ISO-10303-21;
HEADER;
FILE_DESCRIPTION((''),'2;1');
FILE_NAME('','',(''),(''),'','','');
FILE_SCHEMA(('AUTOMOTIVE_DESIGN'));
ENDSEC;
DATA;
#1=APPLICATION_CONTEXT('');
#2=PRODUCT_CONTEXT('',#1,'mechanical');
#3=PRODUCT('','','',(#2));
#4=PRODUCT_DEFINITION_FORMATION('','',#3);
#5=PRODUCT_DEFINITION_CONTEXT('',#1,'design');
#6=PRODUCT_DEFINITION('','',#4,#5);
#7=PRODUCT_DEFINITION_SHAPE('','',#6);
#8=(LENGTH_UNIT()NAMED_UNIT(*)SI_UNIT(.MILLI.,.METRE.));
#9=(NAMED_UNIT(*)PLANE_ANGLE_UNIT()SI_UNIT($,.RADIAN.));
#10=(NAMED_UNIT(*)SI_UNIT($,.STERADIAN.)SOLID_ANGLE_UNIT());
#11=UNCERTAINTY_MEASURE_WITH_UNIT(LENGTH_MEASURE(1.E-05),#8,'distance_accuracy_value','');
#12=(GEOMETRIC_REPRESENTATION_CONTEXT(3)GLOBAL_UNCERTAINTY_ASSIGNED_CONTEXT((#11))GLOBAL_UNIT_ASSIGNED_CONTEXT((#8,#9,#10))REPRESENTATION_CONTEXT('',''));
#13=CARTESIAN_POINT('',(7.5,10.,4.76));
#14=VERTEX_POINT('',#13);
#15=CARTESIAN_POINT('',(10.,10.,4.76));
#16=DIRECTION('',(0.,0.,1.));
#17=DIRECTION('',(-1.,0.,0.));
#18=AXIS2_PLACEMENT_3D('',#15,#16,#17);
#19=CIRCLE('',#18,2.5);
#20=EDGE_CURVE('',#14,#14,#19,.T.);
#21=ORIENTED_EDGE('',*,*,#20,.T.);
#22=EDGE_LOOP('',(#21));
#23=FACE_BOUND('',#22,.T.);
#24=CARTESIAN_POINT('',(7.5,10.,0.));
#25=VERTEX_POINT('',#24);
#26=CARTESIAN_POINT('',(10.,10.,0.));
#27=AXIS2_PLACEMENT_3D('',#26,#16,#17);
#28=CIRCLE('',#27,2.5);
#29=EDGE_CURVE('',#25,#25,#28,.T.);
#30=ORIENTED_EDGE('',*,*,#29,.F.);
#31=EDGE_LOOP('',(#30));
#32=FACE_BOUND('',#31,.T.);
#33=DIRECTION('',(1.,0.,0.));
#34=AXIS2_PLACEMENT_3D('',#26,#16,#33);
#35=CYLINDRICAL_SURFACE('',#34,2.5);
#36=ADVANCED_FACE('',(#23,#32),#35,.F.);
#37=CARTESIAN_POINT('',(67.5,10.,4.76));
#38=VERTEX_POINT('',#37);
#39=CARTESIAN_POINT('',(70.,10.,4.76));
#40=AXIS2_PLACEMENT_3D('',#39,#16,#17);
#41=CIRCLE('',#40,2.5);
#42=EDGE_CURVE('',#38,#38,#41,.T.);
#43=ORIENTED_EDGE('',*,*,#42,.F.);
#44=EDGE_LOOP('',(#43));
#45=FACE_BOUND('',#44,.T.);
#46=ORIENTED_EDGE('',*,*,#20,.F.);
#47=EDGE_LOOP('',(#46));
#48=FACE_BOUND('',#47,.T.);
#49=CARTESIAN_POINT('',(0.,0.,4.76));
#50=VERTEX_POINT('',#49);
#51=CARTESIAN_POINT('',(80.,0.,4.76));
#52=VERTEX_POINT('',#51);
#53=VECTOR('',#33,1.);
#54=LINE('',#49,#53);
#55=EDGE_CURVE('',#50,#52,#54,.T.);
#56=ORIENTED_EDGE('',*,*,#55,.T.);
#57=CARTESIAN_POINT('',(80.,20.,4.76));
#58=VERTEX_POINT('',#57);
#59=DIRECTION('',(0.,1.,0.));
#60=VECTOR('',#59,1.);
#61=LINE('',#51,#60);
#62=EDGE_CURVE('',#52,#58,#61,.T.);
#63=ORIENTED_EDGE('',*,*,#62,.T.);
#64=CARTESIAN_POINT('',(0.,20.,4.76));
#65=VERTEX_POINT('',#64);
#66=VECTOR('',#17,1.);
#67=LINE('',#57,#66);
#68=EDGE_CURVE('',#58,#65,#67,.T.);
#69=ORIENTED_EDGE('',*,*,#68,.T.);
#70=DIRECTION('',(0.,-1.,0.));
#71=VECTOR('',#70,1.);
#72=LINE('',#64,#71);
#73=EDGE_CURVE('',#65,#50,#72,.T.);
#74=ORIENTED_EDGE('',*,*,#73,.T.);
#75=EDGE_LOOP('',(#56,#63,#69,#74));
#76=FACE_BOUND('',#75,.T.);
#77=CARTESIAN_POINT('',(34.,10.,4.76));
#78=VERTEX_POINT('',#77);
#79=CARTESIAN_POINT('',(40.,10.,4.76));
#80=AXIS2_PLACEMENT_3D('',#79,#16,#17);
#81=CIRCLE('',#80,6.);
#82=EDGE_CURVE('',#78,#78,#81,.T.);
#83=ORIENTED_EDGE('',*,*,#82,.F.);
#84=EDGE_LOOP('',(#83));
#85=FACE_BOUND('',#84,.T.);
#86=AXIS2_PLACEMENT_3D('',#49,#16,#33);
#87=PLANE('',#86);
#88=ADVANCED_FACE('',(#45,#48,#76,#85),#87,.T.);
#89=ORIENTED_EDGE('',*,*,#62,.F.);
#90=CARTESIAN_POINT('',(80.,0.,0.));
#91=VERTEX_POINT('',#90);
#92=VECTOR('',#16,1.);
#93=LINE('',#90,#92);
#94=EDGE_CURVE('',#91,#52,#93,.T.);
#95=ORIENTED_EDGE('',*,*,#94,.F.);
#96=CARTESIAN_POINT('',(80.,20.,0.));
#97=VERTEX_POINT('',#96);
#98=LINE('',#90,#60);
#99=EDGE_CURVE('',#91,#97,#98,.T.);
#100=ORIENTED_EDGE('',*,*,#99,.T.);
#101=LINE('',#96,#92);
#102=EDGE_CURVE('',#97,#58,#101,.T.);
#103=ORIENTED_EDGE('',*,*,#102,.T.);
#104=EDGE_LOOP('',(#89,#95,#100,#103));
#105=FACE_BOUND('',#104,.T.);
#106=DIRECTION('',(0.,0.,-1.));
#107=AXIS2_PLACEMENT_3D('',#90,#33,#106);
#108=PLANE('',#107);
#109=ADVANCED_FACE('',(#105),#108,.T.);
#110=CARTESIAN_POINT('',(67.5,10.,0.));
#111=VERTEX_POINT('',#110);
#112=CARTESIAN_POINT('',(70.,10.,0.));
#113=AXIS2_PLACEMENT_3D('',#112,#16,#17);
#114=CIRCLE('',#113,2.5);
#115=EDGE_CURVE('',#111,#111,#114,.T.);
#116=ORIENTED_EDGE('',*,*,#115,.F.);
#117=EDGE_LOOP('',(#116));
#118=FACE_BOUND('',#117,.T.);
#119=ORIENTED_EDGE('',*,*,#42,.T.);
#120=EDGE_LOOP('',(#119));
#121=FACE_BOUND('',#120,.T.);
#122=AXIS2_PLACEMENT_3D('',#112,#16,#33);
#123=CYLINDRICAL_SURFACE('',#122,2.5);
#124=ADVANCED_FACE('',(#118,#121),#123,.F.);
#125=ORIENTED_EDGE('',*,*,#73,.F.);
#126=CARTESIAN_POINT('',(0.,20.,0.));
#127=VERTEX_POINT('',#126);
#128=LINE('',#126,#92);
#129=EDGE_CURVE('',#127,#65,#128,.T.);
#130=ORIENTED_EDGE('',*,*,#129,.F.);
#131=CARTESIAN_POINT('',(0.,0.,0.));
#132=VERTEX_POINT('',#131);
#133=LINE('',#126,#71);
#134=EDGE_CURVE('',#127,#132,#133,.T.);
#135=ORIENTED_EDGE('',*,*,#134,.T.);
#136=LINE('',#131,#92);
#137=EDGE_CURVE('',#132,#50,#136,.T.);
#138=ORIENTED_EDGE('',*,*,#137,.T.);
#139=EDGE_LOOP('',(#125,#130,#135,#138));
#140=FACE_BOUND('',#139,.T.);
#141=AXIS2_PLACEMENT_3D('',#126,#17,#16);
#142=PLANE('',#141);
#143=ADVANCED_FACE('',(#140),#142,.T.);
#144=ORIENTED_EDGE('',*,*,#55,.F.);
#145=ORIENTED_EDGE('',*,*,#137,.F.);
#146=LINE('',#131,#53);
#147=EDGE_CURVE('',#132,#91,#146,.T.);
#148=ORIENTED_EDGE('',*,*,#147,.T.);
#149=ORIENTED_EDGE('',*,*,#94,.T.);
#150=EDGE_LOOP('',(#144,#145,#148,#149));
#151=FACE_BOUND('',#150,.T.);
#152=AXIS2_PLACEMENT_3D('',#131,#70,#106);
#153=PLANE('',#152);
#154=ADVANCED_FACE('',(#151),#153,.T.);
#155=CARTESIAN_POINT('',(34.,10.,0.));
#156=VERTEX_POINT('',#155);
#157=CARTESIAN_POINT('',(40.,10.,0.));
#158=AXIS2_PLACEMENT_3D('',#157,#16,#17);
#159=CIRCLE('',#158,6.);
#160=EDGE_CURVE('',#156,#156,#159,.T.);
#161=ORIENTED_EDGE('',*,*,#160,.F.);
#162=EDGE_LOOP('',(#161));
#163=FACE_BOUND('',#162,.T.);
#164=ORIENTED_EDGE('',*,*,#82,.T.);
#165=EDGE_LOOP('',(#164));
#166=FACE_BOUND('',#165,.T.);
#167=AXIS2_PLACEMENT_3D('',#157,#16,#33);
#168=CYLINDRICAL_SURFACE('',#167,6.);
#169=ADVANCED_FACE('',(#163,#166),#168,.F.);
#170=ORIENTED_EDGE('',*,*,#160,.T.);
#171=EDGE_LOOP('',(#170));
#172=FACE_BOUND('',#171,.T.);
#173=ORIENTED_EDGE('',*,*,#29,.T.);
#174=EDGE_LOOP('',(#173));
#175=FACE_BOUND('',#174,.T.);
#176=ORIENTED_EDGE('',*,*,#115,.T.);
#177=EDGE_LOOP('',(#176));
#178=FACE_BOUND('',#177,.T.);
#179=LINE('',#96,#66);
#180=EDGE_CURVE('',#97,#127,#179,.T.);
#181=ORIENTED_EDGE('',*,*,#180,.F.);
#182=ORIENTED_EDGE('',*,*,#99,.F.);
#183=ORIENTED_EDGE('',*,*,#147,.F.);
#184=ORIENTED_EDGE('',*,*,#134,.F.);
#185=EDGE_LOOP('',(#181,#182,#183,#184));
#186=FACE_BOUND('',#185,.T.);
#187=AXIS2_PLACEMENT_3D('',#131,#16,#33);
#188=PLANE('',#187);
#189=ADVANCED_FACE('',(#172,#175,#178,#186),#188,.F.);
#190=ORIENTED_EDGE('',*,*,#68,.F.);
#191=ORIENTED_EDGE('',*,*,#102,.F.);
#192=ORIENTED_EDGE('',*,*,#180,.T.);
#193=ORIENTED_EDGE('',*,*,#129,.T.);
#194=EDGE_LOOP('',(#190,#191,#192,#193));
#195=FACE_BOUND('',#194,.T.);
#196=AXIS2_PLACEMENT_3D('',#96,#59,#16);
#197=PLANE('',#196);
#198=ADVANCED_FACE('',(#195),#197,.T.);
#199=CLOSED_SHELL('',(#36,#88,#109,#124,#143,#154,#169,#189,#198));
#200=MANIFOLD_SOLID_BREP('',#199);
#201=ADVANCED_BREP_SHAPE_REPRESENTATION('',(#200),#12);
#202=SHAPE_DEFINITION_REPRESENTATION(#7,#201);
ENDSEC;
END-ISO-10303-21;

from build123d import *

# Parameters (mm, degrees)
SKETCH1_W           = 80
SKETCH1_H           = 20
SKETCH1_R           = 2.5
SKETCH1_R_2         = 6
BOSS_EXTRUDE1_DEPTH = 4.76


with BuildPart() as part:
    # Sketch1 → Boss-Extrude1 (new body)
    with BuildSketch(Plane.XY.offset(4.76)):
        with Locations((40, 10)):
            Rectangle(SKETCH1_W, SKETCH1_H)
        with Locations(Location((10, 10, 0), (0, 0, 180))):
            Circle(SKETCH1_R, mode=Mode.SUBTRACT)
        with Locations(Location((70, 10, 0), (0, 0, 180))):
            Circle(SKETCH1_R, mode=Mode.SUBTRACT)
        with Locations(Location((40, 10, 0), (0, 0, 180))):
            Circle(SKETCH1_R_2, mode=Mode.SUBTRACT)
    extrude(amount=-BOSS_EXTRUDE1_DEPTH)


solid = part.part
